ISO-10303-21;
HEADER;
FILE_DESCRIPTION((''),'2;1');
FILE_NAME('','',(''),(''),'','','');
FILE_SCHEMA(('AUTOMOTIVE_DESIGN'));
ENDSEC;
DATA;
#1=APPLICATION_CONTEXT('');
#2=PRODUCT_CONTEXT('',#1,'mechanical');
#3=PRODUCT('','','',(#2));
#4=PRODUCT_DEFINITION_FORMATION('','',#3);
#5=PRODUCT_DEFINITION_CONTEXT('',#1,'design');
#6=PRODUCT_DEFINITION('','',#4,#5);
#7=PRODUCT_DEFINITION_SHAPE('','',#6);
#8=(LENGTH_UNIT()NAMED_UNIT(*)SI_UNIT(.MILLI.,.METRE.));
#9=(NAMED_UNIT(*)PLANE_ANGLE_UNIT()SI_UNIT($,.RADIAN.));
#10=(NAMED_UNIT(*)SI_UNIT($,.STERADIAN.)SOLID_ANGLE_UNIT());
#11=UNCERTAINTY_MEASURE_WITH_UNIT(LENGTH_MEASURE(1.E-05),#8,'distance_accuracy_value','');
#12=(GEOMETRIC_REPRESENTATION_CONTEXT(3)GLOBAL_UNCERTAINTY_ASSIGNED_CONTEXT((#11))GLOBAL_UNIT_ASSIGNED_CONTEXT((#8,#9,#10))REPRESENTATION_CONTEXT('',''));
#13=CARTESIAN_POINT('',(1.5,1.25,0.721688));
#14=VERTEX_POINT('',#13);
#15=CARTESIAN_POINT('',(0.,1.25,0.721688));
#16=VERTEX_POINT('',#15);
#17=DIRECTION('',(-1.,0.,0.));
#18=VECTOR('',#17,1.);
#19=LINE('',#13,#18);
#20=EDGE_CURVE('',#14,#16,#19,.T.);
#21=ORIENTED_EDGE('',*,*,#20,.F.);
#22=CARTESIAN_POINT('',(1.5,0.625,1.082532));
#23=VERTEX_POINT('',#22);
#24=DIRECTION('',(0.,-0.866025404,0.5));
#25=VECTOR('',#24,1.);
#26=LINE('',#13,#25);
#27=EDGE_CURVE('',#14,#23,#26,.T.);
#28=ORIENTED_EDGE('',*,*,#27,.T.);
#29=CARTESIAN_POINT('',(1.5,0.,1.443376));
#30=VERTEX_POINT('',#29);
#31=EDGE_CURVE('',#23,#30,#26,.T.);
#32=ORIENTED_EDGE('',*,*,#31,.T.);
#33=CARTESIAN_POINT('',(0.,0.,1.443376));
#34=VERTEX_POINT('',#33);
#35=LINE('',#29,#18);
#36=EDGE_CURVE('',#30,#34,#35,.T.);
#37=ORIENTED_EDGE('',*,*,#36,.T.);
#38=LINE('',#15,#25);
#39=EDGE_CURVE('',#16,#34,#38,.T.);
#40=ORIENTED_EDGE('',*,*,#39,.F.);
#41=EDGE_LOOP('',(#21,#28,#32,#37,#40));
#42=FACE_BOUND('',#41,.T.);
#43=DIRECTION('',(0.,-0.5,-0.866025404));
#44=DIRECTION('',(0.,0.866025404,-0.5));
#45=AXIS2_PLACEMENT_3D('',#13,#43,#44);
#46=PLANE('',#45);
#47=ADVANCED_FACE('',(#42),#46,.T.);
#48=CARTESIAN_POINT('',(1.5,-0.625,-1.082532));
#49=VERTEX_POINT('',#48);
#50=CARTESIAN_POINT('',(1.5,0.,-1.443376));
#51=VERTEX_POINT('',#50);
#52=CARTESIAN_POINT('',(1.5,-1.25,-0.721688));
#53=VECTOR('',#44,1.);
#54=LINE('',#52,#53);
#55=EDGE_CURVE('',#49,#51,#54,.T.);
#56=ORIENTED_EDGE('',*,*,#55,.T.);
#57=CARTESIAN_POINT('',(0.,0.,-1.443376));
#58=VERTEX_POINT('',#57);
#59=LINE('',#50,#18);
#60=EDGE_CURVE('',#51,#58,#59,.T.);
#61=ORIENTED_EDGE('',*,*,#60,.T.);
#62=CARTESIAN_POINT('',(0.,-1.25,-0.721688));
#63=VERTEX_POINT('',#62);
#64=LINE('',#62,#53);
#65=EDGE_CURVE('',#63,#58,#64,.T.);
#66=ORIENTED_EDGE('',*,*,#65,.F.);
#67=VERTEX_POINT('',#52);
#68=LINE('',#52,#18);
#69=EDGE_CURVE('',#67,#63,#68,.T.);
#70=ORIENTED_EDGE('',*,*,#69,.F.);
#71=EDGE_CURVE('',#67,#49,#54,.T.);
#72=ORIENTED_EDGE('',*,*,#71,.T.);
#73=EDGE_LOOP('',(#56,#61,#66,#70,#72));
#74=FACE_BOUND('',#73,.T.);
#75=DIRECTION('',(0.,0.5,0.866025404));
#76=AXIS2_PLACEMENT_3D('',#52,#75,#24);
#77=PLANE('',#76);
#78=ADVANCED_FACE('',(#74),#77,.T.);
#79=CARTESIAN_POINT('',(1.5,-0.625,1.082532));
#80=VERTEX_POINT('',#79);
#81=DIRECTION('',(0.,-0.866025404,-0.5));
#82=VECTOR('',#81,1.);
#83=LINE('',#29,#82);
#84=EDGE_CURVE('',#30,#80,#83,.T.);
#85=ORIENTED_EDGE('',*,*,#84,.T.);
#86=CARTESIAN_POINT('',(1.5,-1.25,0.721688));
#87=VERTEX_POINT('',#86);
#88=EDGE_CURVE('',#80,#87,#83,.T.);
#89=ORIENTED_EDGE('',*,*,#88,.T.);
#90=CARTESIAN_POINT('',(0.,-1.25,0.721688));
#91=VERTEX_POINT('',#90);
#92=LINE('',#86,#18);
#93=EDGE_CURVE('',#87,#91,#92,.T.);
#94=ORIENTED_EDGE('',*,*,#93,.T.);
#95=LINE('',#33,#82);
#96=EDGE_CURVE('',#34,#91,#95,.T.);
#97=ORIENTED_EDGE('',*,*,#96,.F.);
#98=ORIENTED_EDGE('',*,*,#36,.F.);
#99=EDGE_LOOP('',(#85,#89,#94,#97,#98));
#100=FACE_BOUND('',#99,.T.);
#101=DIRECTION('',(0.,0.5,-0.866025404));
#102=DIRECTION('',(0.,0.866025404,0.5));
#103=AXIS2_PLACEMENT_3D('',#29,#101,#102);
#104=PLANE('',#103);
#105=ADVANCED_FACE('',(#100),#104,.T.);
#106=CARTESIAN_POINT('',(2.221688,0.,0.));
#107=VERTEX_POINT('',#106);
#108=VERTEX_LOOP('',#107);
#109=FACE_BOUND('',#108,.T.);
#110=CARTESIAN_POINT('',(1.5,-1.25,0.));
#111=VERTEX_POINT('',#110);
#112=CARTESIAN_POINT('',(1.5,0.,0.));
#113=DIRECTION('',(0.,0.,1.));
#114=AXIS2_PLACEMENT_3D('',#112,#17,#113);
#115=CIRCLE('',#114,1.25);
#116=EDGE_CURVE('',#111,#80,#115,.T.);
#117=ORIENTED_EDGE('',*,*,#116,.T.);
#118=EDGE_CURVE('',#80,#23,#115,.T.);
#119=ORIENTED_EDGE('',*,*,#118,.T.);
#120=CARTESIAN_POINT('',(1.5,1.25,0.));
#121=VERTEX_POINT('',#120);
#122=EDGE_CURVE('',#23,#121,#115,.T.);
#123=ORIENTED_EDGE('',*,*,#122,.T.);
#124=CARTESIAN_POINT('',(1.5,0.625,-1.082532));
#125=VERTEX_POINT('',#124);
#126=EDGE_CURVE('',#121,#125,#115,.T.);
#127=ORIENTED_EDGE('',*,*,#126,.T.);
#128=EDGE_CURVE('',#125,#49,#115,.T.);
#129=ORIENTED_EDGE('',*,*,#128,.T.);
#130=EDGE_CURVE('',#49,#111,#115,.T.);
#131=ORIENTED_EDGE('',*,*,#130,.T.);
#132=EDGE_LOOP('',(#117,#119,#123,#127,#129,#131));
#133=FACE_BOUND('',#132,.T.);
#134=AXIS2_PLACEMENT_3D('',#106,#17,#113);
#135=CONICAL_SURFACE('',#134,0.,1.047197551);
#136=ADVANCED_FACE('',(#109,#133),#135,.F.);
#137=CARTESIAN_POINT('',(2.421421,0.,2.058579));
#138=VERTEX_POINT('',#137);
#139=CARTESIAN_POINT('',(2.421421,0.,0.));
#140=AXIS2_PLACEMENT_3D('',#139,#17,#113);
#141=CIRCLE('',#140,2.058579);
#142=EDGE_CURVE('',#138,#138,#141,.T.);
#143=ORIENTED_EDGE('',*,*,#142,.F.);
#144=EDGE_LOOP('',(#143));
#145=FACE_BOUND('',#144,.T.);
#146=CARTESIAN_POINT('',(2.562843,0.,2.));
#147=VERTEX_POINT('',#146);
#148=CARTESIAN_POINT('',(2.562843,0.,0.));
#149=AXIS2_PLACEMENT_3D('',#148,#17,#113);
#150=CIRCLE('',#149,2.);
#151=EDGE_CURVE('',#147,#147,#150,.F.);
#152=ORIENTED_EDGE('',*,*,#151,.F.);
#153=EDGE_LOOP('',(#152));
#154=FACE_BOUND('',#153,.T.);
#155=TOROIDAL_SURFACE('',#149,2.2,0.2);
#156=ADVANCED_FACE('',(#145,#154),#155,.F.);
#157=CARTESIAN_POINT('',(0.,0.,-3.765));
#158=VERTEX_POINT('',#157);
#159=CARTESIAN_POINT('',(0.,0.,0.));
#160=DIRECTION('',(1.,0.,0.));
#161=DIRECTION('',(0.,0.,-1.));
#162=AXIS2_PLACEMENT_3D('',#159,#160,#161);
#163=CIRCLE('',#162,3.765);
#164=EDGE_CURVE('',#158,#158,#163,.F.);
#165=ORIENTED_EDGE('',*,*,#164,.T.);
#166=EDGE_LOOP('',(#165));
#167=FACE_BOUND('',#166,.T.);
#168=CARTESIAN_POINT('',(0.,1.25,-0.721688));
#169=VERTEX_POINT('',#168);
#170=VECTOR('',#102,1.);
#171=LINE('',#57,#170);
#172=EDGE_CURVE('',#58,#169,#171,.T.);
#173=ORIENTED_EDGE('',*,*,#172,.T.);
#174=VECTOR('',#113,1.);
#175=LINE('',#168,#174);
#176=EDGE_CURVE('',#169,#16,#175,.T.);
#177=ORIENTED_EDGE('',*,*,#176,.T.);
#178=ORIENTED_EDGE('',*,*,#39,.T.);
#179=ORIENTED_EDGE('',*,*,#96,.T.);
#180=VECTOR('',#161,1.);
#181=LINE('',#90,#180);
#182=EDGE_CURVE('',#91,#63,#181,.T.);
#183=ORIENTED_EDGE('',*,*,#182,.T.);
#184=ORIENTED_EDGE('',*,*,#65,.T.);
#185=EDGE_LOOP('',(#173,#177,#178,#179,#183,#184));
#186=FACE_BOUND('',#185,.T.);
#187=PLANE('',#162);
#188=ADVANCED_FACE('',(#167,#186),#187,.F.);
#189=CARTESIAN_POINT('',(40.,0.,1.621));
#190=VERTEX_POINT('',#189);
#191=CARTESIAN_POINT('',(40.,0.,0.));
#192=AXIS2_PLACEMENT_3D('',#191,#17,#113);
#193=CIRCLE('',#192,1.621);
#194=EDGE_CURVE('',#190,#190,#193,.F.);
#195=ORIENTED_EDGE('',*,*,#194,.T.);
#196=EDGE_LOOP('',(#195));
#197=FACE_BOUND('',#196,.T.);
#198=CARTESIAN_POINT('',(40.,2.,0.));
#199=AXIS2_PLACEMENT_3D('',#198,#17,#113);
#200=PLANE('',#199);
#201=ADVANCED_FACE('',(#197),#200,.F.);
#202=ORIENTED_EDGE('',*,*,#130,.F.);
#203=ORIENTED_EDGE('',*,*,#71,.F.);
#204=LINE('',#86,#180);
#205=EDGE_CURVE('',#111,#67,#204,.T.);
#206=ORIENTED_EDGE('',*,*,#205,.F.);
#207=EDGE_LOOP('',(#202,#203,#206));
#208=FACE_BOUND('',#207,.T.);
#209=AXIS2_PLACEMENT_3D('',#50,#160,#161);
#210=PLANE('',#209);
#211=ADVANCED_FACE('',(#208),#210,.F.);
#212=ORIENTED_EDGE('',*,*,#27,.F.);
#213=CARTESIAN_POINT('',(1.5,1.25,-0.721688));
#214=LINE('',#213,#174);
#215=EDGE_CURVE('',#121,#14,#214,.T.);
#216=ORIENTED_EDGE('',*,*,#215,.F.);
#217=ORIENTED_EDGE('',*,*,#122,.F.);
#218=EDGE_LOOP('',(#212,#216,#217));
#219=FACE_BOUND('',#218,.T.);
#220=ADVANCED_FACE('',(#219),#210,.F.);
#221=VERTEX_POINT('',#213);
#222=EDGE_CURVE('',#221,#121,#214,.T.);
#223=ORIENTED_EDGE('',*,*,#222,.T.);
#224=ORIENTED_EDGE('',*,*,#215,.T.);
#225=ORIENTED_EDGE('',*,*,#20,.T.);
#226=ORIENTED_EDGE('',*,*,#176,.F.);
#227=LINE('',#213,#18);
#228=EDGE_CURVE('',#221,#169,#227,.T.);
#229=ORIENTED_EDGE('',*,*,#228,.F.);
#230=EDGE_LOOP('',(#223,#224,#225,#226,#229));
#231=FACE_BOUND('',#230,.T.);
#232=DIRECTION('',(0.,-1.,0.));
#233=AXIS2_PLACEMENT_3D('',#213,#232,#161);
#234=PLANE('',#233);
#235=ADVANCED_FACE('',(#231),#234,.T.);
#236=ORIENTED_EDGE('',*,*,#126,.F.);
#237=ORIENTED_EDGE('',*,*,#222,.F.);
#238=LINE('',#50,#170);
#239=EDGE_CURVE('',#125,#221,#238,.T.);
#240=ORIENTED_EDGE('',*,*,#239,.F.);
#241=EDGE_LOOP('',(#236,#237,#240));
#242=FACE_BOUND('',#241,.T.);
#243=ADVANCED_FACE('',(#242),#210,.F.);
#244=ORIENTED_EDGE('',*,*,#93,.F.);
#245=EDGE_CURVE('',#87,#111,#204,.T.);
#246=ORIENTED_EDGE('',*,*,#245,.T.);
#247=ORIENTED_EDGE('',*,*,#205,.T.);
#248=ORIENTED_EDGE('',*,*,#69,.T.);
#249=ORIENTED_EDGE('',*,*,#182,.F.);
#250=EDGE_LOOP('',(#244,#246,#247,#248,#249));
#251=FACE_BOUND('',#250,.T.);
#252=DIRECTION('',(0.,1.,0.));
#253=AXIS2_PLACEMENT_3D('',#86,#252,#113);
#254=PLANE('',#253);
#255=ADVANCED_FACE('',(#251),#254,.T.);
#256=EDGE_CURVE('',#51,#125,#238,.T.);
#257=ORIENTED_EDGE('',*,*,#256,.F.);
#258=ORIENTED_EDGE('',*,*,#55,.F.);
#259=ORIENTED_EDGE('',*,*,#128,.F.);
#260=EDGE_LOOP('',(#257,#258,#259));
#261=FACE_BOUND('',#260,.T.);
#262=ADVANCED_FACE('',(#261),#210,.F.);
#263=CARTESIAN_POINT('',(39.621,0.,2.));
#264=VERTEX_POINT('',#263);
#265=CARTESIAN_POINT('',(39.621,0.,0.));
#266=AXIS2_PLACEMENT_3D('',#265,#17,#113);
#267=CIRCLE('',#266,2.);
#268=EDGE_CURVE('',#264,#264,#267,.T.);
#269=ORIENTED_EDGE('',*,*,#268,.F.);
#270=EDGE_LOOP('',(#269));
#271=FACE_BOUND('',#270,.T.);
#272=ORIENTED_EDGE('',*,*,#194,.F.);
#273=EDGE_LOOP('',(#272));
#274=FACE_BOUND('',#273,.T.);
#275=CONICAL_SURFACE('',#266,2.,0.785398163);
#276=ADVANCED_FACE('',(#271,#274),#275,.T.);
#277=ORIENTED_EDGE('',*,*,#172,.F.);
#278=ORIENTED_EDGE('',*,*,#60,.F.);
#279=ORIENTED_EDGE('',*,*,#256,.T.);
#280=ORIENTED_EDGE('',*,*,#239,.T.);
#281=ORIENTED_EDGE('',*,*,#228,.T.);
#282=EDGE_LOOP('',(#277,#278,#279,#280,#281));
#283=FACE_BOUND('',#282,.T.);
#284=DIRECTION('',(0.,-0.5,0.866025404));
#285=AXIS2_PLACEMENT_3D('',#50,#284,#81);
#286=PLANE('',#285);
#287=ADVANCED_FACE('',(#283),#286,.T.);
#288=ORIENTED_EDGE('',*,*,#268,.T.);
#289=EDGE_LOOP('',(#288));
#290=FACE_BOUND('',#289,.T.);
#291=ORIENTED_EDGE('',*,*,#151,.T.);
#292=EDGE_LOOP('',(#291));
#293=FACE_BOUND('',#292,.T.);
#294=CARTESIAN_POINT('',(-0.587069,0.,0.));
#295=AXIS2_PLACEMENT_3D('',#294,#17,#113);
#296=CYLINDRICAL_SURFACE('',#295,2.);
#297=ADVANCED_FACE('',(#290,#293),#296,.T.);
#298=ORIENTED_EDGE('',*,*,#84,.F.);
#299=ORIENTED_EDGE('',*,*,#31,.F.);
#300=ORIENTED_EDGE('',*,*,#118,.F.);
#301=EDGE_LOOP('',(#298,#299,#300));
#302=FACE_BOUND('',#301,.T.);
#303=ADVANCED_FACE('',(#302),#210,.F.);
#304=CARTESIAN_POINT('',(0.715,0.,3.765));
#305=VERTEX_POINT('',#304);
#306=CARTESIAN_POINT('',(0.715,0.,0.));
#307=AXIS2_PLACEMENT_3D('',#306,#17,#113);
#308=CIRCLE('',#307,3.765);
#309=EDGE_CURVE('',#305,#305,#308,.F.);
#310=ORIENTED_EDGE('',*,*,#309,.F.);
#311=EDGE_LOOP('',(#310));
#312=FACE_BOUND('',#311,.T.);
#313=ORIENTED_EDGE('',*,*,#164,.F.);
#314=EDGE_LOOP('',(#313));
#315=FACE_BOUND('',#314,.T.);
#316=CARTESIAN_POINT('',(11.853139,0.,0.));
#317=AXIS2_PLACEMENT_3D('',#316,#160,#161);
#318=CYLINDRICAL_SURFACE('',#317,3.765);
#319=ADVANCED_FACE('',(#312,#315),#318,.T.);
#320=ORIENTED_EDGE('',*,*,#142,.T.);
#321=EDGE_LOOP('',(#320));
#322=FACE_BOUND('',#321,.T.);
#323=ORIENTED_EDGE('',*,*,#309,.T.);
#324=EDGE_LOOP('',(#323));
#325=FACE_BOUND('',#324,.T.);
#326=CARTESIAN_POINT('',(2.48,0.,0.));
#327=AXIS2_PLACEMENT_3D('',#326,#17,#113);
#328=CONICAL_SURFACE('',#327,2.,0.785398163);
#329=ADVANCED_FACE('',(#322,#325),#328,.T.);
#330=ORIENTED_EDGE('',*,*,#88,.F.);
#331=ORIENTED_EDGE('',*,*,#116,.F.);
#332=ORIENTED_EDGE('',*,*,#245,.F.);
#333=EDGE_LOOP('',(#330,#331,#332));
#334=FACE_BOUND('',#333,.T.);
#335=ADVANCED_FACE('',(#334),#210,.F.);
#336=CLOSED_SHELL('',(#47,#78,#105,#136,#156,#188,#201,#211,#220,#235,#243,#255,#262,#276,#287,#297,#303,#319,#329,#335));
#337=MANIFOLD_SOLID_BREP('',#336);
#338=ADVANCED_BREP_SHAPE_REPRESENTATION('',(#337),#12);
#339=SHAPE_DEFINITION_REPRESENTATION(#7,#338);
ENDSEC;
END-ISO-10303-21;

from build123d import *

# Parameters (mm, degrees)
HEXAGONSOCKET_DEPTH = 1.5
HEADFILLET_R        = 0.2
CHAMFER_2_SIZE      = 0.379
SKETCH4_W           = 5
SKETCH4_H           = 5


with BuildPart() as part:
    # Sketch1 → Base (revolve)
    with BuildSketch(Plane.XY, mode=Mode.PRIVATE) as base_sk:
        Polygon((0, 0), (0, 4.48), (2.48, 2), (40, 2), (40, 0), align=None)
    revolve(base_sk.sketch.rotate(Axis((-0.587069181, 0, 0), (1, 0, 0)), 90), axis=Axis((-0.587069181, 0, 0), (1, 0, 0)))

    # Sketch2 → HexagonSocket (cut)
    with BuildSketch(Plane(origin=(0, 0, 0), x_dir=(0, 0, -1), z_dir=(1, 0, 0))):
        Polygon((1.443375673, 0), (0.721687836, 1.25), (-0.721687836, 1.25), (-1.443375673, 0), (-0.721687836, -1.25), (0.721687836, -1.25), align=None)
    extrude(amount=HEXAGONSOCKET_DEPTH, mode=Mode.SUBTRACT)

    # Sketch3 → Cut-Revolve1 (revolve, cut)
    with BuildSketch(Plane.XY, mode=Mode.PRIVATE) as cut_revolve1_sk:
        Polygon((1.5, 1.25), (2.221687836, 0), (1.5, 0), align=None)
    revolve(cut_revolve1_sk.sketch.rotate(Axis((-0.439109555, 0, 0), (1, 0, 0)), 90), axis=Axis((-0.439109555, 0, 0), (1, 0, 0)), mode=Mode.SUBTRACT)

    # HeadFillet
    headfillet_edges = [part.edges().sort_by_distance(p)[0] for p in [
        (2.48, 0, -2),
    ]]
    fillet(headfillet_edges, radius=HEADFILLET_R)

    # Chamfer 2
    chamfer_2_edges = [part.edges().sort_by_distance(p)[0] for p in [
        (40, 0, -2),
    ]]
    chamfer(chamfer_2_edges, length=CHAMFER_2_SIZE)

    # Sketch4 → Cut-Revolve2 (revolve, cut)
    with BuildSketch(Plane(origin=(0, 0, 0), x_dir=(1, 0, 0), z_dir=(0, 1, 0)), mode=Mode.PRIVATE) as cut_revolve2_sk:
        with Locations((0.5, 6.265)):
            Rectangle(SKETCH4_W, SKETCH4_H)
    revolve(cut_revolve2_sk.sketch.rotate(Axis((11.853138686, 0, 0), (-1, 0, 0)), 180), axis=Axis((11.853138686, 0, 0), (-1, 0, 0)), mode=Mode.SUBTRACT)


solid = part.part
